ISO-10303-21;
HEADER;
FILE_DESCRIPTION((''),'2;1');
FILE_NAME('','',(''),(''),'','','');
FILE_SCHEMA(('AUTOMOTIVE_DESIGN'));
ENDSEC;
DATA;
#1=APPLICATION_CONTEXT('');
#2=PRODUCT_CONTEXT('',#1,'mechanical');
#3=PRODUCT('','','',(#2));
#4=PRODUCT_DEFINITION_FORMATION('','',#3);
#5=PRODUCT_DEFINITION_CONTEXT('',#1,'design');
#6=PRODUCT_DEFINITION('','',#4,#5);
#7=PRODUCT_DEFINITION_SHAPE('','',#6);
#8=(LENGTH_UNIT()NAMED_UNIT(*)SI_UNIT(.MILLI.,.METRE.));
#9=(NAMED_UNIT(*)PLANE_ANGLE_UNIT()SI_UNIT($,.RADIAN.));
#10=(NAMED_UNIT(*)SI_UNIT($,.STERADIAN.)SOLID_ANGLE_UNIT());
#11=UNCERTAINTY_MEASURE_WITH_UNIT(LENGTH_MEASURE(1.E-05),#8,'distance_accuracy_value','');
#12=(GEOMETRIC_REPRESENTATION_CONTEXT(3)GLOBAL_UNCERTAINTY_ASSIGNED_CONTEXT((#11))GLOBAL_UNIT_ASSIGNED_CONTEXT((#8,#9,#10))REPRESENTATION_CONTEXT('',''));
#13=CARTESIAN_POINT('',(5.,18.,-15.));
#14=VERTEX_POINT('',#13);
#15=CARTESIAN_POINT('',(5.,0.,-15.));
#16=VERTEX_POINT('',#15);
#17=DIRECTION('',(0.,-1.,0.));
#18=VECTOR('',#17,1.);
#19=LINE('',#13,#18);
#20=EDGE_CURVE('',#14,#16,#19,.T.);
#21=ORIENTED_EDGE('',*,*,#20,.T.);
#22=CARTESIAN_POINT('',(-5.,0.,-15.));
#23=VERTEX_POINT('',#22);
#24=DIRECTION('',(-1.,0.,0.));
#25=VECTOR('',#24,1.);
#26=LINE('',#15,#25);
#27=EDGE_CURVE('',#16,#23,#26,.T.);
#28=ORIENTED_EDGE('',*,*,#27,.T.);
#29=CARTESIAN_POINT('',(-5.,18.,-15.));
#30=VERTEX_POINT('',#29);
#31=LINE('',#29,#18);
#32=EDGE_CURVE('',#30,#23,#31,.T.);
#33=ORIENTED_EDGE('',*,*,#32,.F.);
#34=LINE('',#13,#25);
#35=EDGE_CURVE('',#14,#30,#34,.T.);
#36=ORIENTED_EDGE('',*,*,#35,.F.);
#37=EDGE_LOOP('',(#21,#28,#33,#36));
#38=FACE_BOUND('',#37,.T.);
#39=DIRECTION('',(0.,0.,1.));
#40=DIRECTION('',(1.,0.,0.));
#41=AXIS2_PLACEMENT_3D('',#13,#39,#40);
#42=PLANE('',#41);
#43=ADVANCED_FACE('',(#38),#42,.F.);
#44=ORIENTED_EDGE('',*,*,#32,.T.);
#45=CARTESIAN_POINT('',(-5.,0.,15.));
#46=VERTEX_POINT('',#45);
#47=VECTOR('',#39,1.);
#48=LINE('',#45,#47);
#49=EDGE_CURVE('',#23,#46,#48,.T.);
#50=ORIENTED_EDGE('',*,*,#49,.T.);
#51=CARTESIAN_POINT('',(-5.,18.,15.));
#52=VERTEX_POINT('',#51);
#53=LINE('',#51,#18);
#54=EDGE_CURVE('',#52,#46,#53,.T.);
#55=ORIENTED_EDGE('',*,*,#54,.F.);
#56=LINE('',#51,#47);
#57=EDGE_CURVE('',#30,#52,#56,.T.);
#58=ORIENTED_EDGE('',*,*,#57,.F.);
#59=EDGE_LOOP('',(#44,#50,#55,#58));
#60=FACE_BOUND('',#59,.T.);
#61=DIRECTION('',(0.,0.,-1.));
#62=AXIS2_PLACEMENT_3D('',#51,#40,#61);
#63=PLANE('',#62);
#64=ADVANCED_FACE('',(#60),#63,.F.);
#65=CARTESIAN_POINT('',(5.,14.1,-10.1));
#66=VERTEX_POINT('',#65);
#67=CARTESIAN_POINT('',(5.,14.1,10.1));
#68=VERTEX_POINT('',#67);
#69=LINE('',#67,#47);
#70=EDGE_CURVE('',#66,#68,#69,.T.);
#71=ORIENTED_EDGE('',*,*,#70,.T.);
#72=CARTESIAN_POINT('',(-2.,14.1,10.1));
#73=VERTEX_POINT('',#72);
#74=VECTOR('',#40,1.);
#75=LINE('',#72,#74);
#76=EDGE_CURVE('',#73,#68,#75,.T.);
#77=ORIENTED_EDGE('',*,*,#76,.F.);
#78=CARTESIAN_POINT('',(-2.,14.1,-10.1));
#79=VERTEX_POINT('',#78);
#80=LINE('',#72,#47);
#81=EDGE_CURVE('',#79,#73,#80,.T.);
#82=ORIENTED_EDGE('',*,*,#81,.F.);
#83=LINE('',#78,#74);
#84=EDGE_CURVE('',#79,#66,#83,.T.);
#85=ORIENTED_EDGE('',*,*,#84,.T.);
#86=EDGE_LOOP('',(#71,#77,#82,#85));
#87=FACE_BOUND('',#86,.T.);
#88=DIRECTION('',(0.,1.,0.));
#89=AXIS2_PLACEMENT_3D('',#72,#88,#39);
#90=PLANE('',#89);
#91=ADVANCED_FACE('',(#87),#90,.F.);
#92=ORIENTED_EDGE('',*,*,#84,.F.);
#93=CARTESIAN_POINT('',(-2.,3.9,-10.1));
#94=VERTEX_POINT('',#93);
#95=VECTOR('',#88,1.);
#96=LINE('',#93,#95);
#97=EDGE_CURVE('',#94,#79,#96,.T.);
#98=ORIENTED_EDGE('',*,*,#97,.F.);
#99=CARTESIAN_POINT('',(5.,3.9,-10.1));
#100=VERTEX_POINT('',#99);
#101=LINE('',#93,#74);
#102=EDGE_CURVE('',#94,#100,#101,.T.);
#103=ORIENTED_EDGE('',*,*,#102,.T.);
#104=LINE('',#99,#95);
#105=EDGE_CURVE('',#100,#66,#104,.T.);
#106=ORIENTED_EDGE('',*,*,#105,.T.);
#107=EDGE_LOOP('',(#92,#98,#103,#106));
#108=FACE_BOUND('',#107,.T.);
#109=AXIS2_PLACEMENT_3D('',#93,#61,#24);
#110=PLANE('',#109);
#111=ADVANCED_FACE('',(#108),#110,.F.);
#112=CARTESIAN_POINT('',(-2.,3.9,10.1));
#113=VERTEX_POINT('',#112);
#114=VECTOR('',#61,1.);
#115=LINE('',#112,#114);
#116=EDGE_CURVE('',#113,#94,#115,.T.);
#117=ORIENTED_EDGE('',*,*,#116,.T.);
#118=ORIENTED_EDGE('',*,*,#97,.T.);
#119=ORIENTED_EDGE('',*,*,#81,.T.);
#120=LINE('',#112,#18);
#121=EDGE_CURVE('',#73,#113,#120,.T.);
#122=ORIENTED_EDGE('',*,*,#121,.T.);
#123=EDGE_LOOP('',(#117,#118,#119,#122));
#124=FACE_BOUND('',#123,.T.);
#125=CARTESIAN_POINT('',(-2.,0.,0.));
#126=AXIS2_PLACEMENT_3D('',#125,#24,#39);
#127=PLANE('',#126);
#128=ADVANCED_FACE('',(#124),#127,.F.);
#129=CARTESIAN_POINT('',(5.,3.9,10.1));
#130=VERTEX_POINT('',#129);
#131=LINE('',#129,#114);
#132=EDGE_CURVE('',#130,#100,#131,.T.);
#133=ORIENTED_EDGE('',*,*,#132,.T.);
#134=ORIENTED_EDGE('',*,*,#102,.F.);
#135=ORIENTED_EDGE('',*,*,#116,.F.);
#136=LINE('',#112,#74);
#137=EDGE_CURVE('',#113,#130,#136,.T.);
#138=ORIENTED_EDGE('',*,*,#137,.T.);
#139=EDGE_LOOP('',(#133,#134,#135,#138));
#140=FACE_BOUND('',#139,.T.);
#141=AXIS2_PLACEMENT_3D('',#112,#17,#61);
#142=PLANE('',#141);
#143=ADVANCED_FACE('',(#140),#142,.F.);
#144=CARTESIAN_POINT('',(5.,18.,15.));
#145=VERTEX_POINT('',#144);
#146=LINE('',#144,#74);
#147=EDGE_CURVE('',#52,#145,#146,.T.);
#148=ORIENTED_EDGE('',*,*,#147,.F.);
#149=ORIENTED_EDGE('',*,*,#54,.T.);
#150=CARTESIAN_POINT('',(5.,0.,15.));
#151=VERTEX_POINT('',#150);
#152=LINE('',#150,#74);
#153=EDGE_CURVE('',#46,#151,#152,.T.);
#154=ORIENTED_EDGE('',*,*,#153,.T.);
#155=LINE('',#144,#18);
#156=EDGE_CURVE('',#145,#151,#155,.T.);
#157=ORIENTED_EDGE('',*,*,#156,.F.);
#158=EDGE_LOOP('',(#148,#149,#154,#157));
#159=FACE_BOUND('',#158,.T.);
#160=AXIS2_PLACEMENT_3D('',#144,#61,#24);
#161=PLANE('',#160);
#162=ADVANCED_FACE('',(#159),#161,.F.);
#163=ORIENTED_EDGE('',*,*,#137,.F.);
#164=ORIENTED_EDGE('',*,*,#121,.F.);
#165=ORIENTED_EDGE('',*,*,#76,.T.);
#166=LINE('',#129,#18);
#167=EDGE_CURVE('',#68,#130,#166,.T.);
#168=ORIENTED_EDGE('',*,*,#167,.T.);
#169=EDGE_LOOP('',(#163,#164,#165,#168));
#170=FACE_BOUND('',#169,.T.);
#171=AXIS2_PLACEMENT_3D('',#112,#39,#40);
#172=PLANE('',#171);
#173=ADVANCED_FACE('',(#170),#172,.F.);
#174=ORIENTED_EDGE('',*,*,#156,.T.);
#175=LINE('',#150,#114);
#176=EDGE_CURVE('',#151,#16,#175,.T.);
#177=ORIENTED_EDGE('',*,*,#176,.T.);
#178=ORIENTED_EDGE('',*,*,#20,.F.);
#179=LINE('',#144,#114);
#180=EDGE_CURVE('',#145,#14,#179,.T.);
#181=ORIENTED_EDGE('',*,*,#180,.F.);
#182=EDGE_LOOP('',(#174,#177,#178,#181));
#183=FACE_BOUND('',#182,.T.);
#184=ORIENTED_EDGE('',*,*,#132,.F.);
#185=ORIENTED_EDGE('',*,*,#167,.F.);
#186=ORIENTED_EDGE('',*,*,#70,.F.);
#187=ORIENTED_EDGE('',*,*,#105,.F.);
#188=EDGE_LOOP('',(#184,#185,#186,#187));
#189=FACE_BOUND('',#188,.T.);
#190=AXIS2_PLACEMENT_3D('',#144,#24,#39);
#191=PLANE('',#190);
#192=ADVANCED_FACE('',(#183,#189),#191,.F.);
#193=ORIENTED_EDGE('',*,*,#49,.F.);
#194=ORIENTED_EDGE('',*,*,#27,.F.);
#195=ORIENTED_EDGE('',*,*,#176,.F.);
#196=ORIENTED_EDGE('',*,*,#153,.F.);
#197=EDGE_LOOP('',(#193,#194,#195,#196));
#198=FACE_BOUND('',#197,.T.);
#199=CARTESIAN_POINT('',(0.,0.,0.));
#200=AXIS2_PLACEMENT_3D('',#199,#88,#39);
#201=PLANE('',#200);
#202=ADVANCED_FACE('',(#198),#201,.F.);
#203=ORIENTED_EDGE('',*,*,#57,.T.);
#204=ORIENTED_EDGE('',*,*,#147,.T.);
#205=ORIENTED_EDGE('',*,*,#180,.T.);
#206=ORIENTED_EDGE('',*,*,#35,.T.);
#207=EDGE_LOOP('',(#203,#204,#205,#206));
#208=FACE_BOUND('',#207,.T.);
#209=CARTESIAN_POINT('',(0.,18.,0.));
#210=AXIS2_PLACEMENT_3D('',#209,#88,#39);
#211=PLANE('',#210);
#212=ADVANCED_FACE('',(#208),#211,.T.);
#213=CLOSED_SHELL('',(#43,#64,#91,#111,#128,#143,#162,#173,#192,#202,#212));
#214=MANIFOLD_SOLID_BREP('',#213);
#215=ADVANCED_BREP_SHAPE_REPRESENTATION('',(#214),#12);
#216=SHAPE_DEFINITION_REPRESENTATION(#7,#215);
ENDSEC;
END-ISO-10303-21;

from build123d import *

# Parameters (mm, degrees)
SKETCH1_W           = 10
SKETCH1_H           = 30
BOSS_EXTRUDE1_DEPTH = 18
SKETCH2_W           = 20.2
SKETCH2_H           = 10.2
CUT_EXTRUDE1_DEPTH  = 7


with BuildPart() as part:
    # Sketch1 → Boss-Extrude1 (new body)
    with BuildSketch(Plane(origin=(0, 0, 0), x_dir=(1, 0, 0), z_dir=(0, 1, 0))):
        Rectangle(SKETCH1_W, SKETCH1_H)
    extrude(amount=BOSS_EXTRUDE1_DEPTH)

    # Sketch2 → Cut-Extrude1 (cut)
    with BuildSketch(Plane(origin=(5, 0, 0), x_dir=(0, 0, -1), z_dir=(1, 0, 0))):
        with Locations((0, 9)):
            Rectangle(SKETCH2_W, SKETCH2_H)
    extrude(amount=-CUT_EXTRUDE1_DEPTH, mode=Mode.SUBTRACT)


solid = part.part
